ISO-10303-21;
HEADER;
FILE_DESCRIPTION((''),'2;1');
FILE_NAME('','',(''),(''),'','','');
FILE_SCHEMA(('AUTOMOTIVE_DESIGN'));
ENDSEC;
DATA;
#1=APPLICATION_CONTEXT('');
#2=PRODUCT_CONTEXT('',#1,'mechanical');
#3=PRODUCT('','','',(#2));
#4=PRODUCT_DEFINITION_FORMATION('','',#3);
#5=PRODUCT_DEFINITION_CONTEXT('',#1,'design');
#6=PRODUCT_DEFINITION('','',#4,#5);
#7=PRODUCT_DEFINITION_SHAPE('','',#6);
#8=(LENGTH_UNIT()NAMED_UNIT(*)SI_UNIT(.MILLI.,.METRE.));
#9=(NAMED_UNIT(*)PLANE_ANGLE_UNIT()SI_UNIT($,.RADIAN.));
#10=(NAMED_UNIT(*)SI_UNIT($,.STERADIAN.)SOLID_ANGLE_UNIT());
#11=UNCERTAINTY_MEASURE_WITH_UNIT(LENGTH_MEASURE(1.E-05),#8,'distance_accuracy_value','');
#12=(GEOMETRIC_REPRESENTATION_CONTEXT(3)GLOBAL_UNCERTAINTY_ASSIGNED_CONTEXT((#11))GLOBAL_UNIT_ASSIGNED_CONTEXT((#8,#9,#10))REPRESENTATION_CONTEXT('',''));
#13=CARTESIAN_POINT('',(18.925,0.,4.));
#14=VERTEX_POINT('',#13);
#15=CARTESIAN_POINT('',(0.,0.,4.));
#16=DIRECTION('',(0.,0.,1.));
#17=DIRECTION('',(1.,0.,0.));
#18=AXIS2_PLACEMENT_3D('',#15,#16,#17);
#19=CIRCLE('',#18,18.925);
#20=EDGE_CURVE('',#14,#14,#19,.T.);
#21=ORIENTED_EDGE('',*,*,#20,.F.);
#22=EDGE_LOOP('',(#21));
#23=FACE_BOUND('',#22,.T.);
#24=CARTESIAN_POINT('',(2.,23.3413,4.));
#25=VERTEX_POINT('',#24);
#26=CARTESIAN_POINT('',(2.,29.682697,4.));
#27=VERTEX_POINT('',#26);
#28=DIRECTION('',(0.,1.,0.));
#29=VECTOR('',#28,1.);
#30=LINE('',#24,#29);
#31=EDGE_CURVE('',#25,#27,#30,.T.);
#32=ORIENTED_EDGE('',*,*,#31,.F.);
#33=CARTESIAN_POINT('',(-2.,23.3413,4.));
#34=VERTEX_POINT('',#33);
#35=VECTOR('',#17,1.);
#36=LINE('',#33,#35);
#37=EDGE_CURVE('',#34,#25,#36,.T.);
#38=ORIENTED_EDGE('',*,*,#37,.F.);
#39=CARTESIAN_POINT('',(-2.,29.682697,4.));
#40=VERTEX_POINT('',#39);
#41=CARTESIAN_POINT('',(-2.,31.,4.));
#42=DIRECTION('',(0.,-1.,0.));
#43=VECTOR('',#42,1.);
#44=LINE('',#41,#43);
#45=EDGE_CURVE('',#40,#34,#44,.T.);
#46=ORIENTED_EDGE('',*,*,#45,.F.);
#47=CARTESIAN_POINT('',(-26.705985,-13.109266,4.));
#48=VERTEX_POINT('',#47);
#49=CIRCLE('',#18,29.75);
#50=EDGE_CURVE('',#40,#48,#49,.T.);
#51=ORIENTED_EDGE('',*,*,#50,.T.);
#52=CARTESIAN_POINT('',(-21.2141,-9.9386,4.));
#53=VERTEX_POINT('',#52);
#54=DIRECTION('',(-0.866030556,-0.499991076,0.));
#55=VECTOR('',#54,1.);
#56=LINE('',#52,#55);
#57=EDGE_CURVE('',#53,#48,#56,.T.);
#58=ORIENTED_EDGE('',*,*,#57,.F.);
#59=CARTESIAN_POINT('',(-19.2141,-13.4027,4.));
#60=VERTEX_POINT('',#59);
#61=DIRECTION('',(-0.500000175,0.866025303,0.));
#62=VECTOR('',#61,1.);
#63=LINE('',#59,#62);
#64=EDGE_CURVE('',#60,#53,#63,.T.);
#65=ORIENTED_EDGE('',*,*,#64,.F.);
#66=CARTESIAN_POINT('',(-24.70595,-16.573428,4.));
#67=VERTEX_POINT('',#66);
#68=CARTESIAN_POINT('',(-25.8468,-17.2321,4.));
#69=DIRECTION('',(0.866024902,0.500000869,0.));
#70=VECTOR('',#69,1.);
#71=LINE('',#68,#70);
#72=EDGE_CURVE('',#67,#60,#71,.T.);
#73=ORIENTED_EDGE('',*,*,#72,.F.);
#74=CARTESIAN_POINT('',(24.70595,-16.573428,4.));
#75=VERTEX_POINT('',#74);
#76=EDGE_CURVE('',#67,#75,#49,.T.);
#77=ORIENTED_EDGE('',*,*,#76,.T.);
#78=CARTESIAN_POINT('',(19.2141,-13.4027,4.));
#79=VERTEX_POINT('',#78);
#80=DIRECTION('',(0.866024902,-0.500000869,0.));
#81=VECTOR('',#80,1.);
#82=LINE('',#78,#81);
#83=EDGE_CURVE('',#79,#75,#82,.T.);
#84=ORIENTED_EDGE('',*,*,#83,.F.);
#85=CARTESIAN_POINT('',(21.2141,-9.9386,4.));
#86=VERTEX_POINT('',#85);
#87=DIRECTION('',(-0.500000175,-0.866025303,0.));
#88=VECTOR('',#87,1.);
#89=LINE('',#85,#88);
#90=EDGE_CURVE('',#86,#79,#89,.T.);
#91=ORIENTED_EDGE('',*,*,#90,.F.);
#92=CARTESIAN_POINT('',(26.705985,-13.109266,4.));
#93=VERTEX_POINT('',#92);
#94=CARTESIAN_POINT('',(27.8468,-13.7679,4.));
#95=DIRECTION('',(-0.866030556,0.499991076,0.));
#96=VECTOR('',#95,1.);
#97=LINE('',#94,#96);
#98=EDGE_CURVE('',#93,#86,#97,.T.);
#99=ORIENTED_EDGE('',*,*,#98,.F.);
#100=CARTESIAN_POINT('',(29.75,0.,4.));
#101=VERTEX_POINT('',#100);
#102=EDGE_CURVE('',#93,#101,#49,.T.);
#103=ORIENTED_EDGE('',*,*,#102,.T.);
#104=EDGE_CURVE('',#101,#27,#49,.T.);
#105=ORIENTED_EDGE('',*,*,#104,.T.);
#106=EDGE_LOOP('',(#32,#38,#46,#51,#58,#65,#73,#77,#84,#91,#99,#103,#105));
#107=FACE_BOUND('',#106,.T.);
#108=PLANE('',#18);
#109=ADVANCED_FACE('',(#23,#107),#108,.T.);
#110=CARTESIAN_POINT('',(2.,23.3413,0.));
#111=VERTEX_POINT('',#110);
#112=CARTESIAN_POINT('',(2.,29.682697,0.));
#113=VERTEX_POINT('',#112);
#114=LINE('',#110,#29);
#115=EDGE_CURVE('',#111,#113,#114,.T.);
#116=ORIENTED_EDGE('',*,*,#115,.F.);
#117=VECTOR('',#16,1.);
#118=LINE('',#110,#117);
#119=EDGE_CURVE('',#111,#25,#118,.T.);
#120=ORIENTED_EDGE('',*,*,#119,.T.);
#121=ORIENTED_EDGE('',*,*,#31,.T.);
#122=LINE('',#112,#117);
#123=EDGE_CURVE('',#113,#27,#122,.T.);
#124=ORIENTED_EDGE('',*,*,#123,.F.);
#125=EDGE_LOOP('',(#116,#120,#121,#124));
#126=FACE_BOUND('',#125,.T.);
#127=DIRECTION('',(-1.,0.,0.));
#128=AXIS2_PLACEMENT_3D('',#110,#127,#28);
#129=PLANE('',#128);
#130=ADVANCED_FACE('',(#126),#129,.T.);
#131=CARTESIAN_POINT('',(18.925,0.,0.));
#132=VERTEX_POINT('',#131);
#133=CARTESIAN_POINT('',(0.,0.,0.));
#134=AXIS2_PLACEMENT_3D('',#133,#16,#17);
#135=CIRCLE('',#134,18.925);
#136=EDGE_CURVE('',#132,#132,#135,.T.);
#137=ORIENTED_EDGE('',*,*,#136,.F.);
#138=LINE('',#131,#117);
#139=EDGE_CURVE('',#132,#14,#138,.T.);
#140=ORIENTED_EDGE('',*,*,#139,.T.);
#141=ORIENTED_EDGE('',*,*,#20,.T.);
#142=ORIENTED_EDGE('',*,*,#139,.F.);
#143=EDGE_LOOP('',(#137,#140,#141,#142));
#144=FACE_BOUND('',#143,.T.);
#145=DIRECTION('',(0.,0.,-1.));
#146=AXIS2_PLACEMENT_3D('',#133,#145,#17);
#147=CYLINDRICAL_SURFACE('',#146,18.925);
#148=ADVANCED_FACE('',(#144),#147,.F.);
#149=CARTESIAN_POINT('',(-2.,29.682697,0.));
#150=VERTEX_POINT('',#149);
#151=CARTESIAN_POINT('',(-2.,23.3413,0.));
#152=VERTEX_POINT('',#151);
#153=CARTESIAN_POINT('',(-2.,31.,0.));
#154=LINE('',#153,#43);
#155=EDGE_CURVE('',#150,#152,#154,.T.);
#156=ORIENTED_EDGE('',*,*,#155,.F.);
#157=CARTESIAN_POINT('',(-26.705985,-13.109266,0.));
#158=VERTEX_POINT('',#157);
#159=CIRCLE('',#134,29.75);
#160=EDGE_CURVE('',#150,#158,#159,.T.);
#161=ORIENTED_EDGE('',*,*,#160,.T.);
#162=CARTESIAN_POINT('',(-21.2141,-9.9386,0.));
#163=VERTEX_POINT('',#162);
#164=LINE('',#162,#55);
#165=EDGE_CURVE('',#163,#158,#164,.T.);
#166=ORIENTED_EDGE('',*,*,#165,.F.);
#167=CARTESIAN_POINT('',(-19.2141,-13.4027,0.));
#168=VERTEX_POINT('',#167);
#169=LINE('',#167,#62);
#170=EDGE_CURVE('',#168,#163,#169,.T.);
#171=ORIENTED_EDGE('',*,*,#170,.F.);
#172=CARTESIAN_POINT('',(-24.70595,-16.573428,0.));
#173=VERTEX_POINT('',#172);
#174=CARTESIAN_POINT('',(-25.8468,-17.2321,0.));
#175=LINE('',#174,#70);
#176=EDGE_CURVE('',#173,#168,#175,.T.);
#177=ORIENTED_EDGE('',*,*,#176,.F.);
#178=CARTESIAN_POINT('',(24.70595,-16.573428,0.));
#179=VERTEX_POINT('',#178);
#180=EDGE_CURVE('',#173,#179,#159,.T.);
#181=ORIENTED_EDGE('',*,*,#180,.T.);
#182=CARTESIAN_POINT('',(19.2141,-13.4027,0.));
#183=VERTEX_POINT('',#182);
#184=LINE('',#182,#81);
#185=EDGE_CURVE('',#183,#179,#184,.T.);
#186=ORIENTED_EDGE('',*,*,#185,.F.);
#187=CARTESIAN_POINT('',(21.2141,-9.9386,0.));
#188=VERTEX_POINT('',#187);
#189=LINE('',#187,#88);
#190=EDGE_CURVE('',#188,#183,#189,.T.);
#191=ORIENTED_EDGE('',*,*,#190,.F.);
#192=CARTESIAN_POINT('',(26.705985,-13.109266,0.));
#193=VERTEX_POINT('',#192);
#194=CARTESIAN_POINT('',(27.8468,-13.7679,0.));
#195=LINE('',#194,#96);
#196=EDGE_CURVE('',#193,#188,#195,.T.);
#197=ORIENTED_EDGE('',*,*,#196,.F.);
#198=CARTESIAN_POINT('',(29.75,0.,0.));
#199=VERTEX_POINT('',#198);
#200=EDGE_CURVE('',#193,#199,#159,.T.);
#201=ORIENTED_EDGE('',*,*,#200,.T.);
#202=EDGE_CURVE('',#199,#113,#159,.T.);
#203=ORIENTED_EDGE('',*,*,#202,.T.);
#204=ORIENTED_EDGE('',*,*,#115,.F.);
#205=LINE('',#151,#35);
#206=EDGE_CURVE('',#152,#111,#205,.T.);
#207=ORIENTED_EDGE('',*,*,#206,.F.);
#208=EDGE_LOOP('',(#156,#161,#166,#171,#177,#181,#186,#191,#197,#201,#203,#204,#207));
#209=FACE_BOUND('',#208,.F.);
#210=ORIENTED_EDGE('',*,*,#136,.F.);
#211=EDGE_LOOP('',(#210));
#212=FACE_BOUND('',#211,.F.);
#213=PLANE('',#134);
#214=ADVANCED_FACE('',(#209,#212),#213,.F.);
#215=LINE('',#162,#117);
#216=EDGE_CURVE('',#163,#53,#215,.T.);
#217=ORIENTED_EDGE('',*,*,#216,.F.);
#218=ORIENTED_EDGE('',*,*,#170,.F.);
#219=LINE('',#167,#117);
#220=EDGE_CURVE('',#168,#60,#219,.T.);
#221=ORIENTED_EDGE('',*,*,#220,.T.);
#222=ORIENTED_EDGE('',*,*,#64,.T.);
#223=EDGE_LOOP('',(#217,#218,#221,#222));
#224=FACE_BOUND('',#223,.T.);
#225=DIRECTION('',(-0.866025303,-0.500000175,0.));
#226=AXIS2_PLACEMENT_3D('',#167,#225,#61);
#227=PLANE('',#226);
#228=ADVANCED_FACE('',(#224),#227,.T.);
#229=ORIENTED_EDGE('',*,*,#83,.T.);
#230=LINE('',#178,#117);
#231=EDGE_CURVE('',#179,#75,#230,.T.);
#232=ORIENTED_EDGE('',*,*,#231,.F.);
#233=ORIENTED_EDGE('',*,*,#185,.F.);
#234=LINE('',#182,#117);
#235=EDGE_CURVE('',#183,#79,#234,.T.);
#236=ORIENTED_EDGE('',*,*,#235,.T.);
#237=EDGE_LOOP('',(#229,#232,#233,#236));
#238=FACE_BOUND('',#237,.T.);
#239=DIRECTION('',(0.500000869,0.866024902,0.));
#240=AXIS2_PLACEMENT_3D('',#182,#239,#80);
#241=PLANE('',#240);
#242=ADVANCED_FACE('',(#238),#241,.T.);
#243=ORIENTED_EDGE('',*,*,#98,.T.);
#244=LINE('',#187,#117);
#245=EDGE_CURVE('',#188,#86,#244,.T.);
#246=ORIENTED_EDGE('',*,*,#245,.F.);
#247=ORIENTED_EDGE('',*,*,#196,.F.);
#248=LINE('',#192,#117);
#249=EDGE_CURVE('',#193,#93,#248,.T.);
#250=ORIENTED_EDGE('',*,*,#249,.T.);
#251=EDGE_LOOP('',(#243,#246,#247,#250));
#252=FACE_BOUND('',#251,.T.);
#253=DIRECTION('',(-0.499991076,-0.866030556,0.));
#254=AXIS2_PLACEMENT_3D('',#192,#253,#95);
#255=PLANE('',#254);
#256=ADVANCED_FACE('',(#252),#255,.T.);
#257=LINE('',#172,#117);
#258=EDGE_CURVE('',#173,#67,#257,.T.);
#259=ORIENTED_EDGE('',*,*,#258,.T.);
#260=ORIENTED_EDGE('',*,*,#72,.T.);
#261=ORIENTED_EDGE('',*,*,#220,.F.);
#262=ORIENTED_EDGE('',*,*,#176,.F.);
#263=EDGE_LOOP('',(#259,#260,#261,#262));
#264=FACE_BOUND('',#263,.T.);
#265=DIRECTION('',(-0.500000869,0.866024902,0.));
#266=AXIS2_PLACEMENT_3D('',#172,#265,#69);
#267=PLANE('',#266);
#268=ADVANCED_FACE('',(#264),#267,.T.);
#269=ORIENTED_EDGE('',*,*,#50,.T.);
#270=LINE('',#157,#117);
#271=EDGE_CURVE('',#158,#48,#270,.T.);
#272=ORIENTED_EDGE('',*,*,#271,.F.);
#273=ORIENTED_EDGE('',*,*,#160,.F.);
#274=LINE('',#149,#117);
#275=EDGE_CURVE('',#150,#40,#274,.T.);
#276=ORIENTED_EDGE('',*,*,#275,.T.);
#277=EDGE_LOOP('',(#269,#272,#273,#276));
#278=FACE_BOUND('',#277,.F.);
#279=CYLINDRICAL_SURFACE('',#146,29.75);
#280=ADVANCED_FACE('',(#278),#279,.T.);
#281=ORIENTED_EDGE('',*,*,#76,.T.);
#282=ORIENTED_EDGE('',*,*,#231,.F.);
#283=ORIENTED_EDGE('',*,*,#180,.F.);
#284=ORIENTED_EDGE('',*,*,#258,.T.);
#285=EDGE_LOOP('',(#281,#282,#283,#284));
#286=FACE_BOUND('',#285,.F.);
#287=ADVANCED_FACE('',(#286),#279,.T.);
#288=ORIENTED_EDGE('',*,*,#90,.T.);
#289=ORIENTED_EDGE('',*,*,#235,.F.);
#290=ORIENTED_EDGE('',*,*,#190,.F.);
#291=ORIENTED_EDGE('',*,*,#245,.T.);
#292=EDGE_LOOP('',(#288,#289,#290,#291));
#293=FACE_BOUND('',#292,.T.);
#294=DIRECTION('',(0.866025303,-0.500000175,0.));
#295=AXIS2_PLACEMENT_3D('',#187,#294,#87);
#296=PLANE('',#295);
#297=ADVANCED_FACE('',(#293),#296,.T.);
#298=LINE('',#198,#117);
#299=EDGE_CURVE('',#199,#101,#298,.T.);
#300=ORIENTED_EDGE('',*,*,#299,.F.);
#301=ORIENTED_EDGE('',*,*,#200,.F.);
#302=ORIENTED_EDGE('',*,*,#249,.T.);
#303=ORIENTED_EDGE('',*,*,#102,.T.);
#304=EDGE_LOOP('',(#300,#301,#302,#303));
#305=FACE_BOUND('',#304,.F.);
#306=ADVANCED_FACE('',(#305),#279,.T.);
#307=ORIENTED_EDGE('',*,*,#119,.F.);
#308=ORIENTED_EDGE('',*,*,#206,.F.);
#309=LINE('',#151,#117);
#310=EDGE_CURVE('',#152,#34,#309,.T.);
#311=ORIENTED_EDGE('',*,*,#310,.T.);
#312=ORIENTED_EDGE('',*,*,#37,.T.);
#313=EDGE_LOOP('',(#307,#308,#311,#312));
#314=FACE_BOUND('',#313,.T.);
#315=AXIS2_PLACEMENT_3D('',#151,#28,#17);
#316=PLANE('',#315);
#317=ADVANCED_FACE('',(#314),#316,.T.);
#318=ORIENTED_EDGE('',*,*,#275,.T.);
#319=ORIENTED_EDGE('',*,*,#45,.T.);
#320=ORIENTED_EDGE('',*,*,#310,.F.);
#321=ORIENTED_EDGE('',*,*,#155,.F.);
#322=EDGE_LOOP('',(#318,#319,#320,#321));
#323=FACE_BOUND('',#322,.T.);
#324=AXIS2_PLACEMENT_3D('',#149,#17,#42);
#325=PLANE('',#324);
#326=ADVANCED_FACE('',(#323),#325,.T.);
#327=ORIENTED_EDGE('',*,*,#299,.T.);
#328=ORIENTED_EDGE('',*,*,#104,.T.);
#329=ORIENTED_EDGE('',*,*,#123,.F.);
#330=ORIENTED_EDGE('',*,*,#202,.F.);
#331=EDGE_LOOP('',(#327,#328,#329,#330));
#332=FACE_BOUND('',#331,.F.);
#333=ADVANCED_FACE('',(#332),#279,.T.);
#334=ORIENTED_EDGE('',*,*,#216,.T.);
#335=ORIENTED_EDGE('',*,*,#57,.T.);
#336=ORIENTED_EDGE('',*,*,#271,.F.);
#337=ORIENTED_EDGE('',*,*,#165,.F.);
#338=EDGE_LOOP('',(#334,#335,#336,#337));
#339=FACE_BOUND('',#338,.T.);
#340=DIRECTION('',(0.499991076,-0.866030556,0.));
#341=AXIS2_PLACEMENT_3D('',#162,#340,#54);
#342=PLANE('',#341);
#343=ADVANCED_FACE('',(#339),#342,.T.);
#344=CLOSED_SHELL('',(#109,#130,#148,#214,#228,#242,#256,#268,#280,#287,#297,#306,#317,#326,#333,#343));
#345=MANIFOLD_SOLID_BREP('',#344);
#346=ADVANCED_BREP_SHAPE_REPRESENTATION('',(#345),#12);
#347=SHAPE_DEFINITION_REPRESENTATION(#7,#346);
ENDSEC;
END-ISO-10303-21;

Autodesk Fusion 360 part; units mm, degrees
sketch "Sketch1" plane through (0, 0, 0) normal (0, 0, 1) x (1, 0, 0)
  circle A0 centre (0, 0) radius 29.75
  circle A1 centre (0, 0) radius 18.925
  line L0 (0, 0) -> (0, 29.75) construction
  line L1 (-2, 23.3413) -> (2, 23.3413)
  line L2 (2, 23.3413) -> (2, 31)
  line L3 (2, 31) -> (-2, 31)
  line L4 (-2, 31) -> (-2, 23.3413)
  line L5 (-21.2141, -9.9386) -> (-27.8468, -13.7679)
  line L6 (-27.8468, -13.7679) -> (-25.8468, -17.2321)
  line L7 (-25.8468, -17.2321) -> (-19.2141, -13.4027)
  line L8 (-19.2141, -13.4027) -> (-21.2141, -9.9386)
  line L9 (19.2141, -13.4027) -> (25.8468, -17.2321)
  line L10 (25.8468, -17.2321) -> (27.8468, -13.7679)
  line L11 (27.8468, -13.7679) -> (21.2141, -9.9386)
  line L12 (21.2141, -9.9386) -> (19.2141, -13.4027)
  dimension "d1" = 59.5
  dimension "d78" = 37.85
  dimension "d128" = 360
extrude "Extrude16" add sketch "Sketch1" along normal blind 4 contours A0 L1 L2 L4 L5 L7 L8 L9 L11 L12
